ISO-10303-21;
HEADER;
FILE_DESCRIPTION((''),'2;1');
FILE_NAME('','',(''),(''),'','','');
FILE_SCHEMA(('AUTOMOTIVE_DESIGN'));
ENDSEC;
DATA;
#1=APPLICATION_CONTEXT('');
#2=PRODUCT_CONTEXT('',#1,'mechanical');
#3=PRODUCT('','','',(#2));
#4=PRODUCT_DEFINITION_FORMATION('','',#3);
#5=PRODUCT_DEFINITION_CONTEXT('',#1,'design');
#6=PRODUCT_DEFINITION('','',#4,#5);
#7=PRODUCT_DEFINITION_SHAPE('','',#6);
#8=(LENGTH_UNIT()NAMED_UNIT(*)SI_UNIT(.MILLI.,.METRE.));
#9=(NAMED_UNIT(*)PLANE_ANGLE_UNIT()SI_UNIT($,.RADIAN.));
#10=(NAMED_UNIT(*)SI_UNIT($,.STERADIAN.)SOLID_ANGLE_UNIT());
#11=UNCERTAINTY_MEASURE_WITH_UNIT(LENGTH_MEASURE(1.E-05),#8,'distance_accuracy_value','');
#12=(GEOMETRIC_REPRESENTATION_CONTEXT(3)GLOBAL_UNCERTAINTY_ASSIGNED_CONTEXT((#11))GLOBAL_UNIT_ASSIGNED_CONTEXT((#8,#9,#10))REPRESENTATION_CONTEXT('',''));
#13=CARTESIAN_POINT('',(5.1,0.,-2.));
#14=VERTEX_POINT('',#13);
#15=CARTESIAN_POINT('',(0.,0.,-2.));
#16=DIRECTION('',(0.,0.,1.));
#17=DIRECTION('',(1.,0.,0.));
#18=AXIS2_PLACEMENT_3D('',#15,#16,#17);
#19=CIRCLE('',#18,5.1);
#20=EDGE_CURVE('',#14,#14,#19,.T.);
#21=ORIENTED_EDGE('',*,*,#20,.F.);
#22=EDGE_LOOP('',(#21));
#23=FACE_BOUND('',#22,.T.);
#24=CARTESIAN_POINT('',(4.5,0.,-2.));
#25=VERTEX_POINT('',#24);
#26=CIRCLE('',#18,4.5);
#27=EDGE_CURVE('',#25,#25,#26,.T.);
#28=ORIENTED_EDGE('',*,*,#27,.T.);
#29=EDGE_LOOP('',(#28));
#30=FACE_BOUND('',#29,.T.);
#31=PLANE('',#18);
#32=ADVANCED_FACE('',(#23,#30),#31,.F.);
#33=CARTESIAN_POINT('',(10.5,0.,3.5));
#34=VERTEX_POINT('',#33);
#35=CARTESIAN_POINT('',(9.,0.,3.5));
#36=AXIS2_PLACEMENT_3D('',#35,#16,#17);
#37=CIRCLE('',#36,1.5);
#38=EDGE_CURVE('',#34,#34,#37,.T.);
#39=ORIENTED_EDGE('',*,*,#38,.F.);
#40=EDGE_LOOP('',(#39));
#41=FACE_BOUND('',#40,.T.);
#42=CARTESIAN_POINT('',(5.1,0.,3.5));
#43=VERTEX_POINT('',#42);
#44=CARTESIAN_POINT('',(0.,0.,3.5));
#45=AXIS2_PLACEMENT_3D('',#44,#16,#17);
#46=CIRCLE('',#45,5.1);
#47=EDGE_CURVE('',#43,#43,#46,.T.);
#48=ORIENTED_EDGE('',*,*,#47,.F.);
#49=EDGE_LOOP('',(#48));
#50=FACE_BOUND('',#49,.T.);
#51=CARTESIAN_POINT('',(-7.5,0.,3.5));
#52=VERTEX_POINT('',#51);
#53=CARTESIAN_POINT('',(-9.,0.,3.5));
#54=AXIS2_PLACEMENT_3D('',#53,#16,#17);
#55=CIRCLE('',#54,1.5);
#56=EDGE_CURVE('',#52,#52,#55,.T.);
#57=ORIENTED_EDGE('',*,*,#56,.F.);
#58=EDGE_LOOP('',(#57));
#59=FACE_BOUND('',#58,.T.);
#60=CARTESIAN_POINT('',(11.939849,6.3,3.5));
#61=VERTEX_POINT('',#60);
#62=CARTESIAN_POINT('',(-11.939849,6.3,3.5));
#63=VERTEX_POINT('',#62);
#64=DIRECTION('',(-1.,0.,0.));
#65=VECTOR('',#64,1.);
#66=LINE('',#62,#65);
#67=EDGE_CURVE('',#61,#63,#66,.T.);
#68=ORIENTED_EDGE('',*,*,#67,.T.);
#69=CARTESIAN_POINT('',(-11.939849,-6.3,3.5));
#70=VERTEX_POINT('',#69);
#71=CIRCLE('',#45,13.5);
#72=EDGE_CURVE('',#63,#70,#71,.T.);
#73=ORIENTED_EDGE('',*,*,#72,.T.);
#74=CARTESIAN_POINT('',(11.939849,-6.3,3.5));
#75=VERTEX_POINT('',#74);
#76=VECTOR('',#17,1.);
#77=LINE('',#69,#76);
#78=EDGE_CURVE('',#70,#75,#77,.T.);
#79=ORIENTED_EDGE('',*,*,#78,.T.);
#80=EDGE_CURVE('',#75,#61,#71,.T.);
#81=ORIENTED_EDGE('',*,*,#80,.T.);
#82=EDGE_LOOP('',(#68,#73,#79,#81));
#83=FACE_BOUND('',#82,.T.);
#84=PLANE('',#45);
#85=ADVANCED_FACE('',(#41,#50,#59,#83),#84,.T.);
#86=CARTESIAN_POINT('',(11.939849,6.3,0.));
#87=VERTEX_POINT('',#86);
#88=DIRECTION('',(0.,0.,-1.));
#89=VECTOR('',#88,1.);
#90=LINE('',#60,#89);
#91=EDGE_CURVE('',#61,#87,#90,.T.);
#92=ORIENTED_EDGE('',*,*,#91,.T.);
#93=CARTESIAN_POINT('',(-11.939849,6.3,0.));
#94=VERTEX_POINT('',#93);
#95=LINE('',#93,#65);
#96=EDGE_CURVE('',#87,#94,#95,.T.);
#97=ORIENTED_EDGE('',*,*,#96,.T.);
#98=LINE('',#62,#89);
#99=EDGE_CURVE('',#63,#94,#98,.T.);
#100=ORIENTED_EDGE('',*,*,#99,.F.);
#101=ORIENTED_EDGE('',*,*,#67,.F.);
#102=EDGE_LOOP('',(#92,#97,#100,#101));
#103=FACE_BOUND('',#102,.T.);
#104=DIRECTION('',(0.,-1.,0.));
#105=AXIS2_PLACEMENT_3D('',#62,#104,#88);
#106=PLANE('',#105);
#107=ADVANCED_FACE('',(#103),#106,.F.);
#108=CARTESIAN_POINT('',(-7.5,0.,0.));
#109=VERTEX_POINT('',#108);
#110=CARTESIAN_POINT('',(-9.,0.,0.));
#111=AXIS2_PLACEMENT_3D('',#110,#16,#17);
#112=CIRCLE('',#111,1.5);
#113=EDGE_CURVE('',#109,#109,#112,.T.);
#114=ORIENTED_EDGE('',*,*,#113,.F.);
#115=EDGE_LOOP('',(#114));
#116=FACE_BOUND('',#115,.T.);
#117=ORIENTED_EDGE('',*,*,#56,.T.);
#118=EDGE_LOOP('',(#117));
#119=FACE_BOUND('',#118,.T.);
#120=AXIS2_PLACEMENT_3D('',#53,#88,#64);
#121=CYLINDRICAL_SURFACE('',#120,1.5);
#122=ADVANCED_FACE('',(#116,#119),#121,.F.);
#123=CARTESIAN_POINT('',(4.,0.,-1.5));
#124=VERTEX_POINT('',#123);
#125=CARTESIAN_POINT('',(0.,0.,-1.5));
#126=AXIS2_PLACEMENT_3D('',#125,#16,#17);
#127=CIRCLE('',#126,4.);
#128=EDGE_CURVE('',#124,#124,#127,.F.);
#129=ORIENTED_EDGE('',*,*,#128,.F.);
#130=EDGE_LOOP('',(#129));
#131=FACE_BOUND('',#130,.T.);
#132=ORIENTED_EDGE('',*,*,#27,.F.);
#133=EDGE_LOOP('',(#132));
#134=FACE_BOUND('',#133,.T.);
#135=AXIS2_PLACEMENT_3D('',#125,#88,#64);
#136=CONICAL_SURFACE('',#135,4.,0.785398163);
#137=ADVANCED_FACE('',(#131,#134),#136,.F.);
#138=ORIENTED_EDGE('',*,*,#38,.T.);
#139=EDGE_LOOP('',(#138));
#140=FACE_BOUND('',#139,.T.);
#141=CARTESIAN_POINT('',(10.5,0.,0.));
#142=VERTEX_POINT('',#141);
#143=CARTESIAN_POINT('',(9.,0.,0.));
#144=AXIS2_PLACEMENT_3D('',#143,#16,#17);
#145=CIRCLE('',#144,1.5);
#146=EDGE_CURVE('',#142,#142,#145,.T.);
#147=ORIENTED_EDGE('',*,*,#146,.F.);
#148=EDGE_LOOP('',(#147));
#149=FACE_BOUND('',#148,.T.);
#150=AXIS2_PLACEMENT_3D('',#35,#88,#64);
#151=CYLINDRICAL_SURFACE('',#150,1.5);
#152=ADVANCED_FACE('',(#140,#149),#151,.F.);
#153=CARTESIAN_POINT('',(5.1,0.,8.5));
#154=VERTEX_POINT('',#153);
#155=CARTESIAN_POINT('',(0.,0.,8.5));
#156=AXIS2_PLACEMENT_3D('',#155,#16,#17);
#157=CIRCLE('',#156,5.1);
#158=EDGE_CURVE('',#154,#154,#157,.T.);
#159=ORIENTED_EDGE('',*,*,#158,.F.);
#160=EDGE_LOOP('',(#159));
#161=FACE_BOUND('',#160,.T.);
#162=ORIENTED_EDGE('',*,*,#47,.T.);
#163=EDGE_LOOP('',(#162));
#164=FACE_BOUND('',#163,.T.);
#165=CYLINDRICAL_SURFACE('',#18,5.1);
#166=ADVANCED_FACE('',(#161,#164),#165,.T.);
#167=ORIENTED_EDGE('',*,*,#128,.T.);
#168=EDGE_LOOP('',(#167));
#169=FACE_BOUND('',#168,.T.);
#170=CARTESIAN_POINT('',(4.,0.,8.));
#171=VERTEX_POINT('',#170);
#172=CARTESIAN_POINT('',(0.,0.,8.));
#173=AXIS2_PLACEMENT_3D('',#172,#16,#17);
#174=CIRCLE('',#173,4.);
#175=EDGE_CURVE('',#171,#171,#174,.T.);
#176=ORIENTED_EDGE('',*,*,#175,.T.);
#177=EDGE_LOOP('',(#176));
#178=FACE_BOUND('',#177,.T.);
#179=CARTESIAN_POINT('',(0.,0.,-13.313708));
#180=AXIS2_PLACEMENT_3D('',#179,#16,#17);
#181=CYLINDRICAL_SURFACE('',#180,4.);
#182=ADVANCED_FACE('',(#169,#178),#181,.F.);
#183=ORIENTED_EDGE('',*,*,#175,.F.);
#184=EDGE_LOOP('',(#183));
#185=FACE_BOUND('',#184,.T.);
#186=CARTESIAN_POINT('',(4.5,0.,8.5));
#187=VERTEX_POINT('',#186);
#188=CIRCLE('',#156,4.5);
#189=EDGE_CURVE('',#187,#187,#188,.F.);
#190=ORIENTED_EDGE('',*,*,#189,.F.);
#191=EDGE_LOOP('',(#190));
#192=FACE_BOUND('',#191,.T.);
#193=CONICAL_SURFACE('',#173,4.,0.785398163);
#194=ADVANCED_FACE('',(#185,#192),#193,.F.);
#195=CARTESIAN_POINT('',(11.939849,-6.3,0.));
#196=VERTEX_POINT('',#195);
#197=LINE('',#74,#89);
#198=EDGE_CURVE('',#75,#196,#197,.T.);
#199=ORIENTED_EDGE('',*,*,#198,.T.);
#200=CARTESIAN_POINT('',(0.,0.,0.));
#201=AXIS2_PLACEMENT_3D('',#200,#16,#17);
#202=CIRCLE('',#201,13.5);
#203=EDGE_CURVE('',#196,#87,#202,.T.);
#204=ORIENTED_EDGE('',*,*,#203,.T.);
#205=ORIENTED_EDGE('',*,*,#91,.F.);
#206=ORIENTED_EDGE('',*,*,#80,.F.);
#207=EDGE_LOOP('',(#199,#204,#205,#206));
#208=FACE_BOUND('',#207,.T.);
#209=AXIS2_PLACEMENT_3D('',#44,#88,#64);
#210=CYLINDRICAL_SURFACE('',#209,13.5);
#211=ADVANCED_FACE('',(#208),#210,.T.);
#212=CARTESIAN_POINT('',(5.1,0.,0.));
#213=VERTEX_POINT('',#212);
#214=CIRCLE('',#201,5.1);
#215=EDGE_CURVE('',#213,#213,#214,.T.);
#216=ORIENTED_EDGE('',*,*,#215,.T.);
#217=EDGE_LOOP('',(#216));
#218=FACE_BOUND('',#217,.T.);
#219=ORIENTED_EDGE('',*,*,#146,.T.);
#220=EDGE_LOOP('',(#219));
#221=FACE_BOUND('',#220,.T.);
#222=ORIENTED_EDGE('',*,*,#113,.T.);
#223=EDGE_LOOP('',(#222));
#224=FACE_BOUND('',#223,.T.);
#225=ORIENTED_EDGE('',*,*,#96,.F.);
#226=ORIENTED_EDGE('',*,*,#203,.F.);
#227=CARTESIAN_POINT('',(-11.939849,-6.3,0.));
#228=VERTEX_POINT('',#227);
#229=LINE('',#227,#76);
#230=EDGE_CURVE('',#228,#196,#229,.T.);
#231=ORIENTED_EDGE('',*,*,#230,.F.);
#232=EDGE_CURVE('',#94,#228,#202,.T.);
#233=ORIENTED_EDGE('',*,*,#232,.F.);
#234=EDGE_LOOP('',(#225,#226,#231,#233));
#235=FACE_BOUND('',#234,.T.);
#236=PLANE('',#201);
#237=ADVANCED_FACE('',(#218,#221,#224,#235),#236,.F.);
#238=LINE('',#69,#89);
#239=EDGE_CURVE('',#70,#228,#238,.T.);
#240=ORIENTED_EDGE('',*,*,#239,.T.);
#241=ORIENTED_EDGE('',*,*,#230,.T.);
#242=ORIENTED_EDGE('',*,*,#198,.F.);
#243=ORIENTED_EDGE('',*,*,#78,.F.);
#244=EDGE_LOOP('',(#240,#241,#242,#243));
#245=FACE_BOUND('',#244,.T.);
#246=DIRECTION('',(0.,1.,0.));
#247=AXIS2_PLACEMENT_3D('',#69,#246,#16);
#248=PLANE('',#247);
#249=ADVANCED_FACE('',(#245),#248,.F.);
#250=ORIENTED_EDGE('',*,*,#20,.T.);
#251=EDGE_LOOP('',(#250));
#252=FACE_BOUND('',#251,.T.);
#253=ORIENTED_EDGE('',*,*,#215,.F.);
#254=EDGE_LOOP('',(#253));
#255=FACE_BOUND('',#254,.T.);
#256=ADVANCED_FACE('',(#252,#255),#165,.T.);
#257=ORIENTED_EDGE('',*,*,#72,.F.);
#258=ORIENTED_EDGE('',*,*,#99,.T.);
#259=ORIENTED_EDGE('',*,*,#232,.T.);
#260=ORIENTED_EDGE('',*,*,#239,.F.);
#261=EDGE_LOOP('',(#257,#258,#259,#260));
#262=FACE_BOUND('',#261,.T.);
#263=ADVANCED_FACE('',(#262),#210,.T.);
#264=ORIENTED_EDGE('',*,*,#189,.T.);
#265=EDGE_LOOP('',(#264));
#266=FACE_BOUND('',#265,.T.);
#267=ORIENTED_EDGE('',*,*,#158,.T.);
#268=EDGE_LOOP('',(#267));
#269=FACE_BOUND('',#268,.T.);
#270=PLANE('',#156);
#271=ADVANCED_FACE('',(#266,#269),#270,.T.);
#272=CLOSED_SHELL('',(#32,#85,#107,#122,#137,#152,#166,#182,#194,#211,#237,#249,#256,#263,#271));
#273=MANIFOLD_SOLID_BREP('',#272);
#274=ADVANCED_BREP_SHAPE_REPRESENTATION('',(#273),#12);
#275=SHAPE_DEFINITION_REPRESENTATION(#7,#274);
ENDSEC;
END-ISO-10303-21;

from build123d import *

# Parameters (mm, degrees)
SKICA1_R                     = 1.5
P_IDAT_VYSUNUT_M1_DEPTH      = 3.5
P_IDAT_VYSUNUT_M2_DEPTH      = 5
P_IDAT_VYSUNUT_M2_DEPTH_BACK = 5.5
SKICA2_R                     = 5.1
SKICA3_R                     = 4
ODEBRAT_VYSUNUT_M1_DEPTH     = 10.5
ZKOSEN_1_SIZE                = 0.5


with BuildPart() as part:
    # Skica1 → Přidat vysunutím1 (new body)
    with BuildSketch(Plane.XY):
        with BuildLine():
            Line((-11.939849245, 6.3), (11.939849245, 6.3))
            ThreePointArc((11.939849245, 6.3), (13.5, 0), (11.939849245, -6.3))
            Line((11.939849245, -6.3), (-11.939849245, -6.3))
            ThreePointArc((-11.939849245, -6.3), (-13.5, 0), (-11.939849245, 6.3))
        make_face()
        with Locations((-9, 0)):
            Circle(SKICA1_R, mode=Mode.SUBTRACT)
        with Locations((9, 0)):
            Circle(SKICA1_R, mode=Mode.SUBTRACT)
    extrude(amount=P_IDAT_VYSUNUT_M1_DEPTH)

    # Skica2 → Přidat vysunutím2 (add, two sides: drawn at the far end of the back side and taken through both)
    with BuildSketch(Plane.XY.offset(3.5).offset(-P_IDAT_VYSUNUT_M2_DEPTH_BACK)):
        Circle(SKICA2_R)
    extrude(amount=P_IDAT_VYSUNUT_M2_DEPTH + P_IDAT_VYSUNUT_M2_DEPTH_BACK)

    # Skica3 → Odebrat vysunutím1 (cut)
    with BuildSketch(Plane.XY.offset(8.5)):
        Circle(SKICA3_R)
    extrude(amount=-ODEBRAT_VYSUNUT_M1_DEPTH, mode=Mode.SUBTRACT)

    # Zkosení1
    zkosen_1_edges = [part.edges().sort_by_distance(p)[0] for p in [
        (-4, 0, 8.5),
        (-4, 0, -2),
    ]]
    chamfer(zkosen_1_edges, length=ZKOSEN_1_SIZE)


solid = part.part
